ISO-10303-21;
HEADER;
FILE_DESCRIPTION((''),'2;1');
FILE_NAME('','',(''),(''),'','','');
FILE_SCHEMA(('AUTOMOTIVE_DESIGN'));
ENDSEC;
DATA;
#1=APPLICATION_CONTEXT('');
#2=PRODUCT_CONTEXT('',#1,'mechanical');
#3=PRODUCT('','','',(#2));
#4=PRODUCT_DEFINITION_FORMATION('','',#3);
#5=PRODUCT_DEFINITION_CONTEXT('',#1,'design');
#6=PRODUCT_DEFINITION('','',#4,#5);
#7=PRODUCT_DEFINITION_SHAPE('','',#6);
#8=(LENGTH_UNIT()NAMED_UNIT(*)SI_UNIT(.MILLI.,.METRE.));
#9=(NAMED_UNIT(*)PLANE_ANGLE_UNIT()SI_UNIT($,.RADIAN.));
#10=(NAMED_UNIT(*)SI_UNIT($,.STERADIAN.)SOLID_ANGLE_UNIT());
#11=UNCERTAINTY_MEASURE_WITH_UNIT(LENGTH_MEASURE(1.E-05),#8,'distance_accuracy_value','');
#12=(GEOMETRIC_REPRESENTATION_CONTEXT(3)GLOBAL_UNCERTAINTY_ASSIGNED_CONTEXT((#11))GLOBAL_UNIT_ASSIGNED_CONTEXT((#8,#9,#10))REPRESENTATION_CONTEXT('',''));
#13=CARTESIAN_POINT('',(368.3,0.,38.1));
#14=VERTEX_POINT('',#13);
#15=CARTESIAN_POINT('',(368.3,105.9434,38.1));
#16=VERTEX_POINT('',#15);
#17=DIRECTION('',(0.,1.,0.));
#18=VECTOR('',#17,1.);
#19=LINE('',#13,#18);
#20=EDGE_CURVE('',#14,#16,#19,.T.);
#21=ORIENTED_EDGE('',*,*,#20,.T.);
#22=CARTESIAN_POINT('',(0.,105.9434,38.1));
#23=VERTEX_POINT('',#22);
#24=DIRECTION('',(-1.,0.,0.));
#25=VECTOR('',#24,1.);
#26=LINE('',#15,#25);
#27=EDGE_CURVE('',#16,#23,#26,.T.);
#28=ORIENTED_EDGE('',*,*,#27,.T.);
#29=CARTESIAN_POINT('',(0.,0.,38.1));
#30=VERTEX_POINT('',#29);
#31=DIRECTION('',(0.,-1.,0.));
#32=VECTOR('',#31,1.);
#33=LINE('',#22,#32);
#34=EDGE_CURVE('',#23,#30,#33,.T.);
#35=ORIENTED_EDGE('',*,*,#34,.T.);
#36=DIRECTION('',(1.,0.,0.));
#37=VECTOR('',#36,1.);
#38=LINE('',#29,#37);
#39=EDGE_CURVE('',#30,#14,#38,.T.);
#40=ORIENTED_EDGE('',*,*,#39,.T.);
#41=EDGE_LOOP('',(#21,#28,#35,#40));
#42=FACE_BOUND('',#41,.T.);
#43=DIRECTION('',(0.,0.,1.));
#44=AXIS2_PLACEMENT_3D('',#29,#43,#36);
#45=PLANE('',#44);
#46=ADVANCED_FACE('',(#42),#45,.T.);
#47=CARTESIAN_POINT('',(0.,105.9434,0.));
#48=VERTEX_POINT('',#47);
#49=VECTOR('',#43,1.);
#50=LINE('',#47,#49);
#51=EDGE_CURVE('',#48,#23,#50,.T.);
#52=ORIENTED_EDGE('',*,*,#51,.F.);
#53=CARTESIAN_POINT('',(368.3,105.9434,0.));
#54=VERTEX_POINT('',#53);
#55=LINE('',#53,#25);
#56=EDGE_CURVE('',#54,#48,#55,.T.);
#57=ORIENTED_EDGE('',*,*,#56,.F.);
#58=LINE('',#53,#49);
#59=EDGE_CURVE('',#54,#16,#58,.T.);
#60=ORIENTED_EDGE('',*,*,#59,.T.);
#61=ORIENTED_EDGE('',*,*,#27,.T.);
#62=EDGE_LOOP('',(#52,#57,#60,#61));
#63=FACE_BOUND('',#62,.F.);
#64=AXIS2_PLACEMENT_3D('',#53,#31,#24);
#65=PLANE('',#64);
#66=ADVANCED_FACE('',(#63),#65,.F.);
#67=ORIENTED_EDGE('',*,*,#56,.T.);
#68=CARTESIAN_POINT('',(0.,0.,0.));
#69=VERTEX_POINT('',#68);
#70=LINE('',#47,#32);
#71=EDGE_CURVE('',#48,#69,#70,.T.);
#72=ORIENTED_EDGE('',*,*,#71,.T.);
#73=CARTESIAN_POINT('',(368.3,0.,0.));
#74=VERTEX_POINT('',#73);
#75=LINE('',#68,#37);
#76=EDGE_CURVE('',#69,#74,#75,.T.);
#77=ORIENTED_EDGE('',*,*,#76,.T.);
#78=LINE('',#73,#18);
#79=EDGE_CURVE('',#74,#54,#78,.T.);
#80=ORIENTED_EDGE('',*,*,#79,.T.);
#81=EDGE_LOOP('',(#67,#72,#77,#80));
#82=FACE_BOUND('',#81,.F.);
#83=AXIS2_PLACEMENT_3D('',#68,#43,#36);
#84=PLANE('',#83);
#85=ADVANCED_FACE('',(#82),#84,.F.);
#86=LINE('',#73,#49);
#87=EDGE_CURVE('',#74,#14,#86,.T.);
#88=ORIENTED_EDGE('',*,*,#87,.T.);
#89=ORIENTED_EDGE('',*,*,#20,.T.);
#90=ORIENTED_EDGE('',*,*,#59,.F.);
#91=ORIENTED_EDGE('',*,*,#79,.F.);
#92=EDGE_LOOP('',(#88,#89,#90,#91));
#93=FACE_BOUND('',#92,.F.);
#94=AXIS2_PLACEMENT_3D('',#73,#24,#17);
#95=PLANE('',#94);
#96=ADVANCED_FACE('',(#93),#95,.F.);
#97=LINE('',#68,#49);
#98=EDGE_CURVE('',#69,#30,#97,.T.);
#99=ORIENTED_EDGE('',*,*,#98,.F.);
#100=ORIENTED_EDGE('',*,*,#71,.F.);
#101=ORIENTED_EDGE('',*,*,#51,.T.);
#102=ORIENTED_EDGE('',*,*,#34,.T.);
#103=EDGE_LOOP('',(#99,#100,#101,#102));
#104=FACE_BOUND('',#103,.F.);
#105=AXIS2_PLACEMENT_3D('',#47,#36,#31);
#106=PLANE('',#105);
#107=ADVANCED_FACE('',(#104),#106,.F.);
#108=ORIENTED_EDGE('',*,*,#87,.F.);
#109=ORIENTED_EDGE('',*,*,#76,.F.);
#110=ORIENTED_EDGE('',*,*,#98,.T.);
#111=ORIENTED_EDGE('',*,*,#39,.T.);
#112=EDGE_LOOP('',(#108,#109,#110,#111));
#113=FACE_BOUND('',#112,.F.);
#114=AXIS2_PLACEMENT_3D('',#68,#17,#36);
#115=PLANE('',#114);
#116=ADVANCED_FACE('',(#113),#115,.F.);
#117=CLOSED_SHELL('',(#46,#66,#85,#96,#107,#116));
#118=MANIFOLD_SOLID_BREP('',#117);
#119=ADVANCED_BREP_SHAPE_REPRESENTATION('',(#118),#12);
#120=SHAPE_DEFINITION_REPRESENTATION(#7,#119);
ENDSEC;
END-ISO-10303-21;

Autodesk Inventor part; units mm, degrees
ref_plane "YZ Plane" through (0, 0, 0) normal (1, 0, 0) x (0, 1, 0)
ref_plane "XZ Plane" through (0, 0, 0) normal (0, 1, 0) x (-1, 0, 0)
ref_plane "XY Plane" through (0, 0, 0) normal (0, 0, 1) x (1, 0, 0)
sketch "Sketch1" plane through (0, 0, 0) normal (0, 0, 1) x (1, 0, 0)
  line L0 (0, 0) -> (368.3, 0)
  line L1 (368.3, 0) -> (368.3, 105.9434)
  line L2 (368.3, 105.9434) -> (0, 105.9434)
  line L3 (0, 105.9434) -> (0, 0)
  dimension "d2" = 105.9434
  dimension "d3" = 368.3
extrude "Extrusion1" add sketch "Sketch1" along normal blind 38.1
properties part number "Block" material "Wood (Birch)"
